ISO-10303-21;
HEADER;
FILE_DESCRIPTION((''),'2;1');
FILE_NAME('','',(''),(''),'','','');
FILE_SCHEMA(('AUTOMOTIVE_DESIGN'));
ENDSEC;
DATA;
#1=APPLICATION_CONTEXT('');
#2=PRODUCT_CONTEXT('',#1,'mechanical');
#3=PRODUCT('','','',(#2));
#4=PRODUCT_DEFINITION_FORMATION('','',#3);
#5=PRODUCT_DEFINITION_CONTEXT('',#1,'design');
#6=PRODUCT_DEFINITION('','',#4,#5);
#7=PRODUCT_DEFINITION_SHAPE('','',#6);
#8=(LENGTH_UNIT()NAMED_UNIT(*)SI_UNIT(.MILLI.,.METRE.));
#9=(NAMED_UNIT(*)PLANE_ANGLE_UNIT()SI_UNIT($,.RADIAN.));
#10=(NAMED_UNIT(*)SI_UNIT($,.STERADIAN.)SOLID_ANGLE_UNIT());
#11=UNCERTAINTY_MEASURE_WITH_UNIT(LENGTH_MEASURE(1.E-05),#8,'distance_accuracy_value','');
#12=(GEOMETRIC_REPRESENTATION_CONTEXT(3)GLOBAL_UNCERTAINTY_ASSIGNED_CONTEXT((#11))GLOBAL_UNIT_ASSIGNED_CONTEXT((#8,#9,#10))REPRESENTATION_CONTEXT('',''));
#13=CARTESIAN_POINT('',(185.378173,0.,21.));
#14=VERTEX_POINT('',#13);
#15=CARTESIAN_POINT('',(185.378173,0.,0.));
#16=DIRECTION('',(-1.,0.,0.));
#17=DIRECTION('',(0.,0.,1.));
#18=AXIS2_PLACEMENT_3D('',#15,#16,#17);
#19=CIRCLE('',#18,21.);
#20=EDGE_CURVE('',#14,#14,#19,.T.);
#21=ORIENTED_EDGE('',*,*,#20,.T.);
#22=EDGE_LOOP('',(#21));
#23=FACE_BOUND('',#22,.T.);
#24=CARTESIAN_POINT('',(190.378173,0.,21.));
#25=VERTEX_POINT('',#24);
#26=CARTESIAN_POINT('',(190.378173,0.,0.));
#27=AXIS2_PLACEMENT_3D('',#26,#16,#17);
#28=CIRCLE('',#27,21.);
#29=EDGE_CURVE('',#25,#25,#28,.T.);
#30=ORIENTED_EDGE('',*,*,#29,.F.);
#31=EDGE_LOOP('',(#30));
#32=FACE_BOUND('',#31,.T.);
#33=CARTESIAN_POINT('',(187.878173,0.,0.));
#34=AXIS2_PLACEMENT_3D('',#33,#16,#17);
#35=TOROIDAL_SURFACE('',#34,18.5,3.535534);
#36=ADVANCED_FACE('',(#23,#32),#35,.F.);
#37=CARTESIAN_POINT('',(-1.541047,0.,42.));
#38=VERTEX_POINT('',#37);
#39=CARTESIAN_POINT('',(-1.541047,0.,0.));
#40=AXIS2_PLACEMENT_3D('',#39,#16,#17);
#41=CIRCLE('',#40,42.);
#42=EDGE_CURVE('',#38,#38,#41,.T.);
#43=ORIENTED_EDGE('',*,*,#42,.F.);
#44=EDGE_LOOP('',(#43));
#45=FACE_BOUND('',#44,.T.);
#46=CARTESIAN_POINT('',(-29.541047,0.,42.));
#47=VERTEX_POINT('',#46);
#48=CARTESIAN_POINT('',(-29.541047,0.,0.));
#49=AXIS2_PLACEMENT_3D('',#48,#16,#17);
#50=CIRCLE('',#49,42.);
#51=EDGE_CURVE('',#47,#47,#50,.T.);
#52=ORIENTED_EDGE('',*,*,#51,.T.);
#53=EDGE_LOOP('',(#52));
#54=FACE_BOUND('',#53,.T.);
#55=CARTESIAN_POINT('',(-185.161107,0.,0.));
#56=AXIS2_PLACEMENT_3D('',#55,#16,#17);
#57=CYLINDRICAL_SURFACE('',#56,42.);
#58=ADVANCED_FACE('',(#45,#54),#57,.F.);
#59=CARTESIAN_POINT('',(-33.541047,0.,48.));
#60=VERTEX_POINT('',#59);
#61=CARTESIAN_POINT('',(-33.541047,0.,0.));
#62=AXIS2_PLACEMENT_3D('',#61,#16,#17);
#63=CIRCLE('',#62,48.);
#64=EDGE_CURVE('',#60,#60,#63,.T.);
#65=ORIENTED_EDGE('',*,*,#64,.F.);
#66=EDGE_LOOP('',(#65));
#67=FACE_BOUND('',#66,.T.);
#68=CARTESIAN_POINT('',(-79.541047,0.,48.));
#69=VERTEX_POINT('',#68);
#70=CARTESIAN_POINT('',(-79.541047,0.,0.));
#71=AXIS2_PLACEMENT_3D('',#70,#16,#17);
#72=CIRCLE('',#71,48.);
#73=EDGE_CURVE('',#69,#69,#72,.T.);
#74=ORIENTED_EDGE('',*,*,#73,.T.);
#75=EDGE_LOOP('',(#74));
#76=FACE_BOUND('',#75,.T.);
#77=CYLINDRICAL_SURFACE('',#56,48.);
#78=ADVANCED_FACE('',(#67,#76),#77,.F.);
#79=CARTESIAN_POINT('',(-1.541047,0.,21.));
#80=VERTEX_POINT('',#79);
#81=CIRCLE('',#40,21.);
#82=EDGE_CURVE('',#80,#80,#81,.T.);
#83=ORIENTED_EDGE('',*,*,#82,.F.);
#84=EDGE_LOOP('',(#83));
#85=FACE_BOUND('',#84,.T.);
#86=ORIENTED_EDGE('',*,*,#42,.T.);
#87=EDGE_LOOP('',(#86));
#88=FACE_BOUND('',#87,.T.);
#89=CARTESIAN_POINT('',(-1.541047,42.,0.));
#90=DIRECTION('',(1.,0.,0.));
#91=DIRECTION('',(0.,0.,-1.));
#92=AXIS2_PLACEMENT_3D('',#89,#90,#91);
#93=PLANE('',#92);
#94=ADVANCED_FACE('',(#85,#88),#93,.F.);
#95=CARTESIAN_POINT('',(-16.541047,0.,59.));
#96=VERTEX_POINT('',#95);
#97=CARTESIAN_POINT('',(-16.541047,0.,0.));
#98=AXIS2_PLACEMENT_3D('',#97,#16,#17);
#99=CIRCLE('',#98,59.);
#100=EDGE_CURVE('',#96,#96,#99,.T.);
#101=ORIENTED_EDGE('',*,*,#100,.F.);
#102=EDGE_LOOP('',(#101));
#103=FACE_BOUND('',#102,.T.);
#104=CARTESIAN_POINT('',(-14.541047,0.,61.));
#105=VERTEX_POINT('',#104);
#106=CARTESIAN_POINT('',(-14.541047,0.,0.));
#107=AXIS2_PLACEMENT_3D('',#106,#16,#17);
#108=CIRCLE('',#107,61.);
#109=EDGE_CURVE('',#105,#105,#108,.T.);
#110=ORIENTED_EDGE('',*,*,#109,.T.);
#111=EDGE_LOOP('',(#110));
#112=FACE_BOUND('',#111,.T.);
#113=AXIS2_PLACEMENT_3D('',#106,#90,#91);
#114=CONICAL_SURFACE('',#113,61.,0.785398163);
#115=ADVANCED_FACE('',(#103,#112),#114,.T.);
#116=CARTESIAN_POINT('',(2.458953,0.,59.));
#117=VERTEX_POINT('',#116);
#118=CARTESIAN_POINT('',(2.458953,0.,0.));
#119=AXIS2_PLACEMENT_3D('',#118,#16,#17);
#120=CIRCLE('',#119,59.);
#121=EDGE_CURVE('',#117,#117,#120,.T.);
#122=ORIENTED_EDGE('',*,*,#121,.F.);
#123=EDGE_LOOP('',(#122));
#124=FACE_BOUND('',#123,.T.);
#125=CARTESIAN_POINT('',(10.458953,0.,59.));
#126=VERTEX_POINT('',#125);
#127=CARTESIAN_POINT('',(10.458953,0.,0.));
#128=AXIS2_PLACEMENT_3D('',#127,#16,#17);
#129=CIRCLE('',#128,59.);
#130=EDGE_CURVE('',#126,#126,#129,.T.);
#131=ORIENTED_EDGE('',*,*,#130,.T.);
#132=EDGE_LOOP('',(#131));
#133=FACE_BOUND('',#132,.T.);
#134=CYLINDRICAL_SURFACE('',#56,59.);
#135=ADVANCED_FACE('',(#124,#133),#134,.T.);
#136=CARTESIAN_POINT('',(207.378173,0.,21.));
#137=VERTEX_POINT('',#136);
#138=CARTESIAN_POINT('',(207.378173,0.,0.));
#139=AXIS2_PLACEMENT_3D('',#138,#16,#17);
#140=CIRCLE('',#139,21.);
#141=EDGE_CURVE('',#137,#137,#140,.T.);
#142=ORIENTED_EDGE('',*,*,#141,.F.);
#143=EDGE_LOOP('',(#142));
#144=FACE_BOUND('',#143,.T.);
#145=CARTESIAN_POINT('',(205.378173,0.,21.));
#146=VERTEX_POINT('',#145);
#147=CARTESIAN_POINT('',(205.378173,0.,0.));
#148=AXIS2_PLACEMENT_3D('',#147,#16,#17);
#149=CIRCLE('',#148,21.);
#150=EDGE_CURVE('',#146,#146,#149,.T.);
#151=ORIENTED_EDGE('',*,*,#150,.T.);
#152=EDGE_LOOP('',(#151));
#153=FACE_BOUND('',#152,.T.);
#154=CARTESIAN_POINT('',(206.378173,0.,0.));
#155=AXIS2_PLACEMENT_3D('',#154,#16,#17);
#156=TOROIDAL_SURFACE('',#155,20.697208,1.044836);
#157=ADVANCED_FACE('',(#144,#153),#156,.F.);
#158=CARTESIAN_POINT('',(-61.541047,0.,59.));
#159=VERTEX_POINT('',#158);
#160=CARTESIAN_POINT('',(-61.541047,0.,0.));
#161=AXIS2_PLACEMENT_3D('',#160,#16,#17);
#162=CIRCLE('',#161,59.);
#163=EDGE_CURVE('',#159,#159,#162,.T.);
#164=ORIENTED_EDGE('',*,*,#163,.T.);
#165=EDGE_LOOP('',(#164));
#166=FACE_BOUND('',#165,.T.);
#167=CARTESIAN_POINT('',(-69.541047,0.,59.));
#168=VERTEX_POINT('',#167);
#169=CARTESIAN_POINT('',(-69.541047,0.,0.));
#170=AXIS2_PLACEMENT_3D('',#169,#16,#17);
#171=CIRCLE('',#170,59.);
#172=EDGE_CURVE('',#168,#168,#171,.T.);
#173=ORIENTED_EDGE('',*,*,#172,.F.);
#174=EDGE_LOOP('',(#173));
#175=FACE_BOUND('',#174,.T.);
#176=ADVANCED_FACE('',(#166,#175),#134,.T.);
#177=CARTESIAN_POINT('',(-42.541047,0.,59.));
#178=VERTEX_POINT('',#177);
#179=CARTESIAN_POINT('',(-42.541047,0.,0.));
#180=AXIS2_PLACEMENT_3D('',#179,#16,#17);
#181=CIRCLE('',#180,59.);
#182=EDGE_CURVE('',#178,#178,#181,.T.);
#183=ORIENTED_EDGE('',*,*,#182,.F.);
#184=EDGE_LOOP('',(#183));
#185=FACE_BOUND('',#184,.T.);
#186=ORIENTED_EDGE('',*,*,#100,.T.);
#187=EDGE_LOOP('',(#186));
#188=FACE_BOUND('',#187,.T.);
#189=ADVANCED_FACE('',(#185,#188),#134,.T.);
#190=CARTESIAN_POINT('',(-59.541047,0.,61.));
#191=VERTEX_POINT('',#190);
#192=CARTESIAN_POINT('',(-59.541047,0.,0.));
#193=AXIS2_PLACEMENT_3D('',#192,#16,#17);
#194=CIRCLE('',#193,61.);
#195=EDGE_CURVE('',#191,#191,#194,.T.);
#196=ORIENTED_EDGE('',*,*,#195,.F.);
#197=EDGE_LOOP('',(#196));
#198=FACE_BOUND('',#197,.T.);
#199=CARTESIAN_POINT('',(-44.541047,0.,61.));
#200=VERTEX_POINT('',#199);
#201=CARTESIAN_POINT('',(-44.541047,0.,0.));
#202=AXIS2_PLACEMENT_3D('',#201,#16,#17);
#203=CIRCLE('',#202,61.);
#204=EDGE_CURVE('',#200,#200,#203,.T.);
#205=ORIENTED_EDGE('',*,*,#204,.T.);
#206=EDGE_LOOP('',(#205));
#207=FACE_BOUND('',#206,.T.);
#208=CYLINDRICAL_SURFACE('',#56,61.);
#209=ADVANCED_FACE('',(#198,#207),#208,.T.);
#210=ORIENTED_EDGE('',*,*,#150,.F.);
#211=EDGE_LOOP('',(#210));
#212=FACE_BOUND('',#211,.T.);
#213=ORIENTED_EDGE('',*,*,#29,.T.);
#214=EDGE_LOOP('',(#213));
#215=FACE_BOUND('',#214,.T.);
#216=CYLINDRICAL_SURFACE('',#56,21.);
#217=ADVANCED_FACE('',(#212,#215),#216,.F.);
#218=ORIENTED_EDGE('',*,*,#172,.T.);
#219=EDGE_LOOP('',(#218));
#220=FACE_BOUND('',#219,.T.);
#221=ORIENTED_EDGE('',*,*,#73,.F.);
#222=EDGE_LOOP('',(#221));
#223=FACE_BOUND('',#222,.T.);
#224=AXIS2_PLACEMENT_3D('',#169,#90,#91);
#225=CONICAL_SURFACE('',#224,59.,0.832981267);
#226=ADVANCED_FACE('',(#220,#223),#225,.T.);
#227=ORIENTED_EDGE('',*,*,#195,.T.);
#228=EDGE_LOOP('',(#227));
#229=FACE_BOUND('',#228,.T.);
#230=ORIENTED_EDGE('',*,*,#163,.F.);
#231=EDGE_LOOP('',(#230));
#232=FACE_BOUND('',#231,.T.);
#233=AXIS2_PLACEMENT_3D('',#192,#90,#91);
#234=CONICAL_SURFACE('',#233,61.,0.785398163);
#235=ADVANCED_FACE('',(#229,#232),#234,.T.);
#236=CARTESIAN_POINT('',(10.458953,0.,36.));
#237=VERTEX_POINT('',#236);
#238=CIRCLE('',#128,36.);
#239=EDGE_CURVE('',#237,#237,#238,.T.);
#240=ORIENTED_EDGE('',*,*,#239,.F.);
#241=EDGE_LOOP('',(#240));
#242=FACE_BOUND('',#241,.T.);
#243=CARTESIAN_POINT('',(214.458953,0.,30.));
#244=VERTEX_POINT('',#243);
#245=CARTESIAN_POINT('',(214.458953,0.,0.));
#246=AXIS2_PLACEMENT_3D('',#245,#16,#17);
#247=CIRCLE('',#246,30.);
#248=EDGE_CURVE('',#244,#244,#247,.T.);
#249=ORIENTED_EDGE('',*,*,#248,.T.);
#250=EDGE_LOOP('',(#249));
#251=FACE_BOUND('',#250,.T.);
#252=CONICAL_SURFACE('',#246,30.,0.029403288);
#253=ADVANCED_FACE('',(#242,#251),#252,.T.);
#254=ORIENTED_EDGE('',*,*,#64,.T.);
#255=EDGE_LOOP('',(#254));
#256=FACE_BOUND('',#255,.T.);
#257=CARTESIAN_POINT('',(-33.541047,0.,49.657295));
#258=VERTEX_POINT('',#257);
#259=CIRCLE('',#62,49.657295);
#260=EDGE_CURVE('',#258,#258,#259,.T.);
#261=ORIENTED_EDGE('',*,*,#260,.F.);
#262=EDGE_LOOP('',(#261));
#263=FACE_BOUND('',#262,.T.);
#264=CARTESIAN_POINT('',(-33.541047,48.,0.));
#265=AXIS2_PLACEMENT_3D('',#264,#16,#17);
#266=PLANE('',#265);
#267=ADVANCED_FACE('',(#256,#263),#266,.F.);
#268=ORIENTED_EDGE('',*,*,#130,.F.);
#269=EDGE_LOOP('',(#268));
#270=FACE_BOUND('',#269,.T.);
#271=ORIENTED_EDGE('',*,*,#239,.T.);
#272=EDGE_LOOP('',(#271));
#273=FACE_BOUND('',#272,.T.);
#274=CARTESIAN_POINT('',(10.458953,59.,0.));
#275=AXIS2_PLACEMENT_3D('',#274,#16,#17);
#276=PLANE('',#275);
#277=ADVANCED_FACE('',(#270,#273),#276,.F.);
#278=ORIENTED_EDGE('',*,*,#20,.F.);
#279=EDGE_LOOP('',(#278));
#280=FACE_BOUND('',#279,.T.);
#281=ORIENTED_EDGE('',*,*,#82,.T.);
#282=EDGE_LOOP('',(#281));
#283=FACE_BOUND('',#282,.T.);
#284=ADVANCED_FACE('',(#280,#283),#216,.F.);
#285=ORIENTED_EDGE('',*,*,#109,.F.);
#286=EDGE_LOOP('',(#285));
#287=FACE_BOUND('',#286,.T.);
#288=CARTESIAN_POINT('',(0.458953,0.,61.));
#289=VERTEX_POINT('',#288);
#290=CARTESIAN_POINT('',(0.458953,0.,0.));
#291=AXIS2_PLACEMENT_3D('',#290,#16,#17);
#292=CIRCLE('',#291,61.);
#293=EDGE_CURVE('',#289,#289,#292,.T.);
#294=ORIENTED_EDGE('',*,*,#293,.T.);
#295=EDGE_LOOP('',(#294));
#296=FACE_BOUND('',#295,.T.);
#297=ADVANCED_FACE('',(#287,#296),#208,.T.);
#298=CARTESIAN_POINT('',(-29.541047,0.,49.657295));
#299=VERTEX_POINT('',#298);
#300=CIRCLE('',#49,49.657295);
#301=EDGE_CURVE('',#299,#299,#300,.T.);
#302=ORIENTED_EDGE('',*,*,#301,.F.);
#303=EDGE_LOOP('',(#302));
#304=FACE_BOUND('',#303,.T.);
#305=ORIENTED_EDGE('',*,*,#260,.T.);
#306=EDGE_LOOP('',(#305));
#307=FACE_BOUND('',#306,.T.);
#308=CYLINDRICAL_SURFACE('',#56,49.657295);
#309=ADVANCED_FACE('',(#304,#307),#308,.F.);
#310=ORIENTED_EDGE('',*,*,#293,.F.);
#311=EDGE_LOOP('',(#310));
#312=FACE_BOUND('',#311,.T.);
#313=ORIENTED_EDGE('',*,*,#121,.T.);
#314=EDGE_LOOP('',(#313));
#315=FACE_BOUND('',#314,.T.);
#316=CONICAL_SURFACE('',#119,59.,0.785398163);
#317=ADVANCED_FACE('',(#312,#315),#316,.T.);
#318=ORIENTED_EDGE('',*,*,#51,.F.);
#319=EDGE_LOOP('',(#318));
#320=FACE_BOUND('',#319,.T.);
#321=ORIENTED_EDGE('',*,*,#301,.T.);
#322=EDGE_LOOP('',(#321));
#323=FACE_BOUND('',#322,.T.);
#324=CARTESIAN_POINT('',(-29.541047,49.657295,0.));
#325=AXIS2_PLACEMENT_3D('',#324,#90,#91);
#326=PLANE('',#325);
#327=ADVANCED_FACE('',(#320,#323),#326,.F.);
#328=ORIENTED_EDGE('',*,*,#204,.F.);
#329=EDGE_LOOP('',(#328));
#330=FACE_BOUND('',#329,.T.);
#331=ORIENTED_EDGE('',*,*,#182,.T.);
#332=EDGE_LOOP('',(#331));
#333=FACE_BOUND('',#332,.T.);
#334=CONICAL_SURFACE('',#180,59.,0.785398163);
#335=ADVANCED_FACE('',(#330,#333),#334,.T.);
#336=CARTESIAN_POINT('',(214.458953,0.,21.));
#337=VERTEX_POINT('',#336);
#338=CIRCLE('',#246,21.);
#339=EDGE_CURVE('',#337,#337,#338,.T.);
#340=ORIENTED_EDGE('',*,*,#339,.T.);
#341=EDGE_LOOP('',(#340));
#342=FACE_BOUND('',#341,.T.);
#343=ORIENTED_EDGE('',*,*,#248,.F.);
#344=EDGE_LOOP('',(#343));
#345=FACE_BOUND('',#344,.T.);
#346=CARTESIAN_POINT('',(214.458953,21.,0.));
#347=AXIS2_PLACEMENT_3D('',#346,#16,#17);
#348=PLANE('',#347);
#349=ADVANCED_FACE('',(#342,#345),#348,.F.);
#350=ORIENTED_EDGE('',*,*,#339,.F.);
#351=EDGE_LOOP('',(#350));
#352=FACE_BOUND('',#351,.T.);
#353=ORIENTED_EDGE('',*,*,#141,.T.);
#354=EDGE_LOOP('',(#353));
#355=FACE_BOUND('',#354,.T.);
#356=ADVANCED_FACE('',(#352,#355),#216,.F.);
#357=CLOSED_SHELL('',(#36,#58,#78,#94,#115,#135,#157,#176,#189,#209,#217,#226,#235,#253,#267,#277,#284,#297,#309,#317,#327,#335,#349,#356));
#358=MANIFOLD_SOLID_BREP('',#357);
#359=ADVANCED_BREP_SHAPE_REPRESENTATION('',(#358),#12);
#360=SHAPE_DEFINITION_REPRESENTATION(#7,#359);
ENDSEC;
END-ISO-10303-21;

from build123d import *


with BuildPart() as part:
    # Sketch1 → Revolve1 (revolve)
    with BuildSketch(Plane.XY, mode=Mode.PRIVATE) as revolve1_sk:
        with BuildLine():
            Line((-69.541046611, 59), (-61.541046611, 59))
            Line((-61.541046611, 59), (-59.541046611, 61))
            Line((-59.541046611, 61), (-44.541046611, 61))
            Line((-44.541046611, 61), (-42.541046611, 59))
            Line((-42.541046611, 59), (-16.541046611, 59))
            Line((-16.541046611, 59), (-14.541046611, 61))
            Line((-14.541046611, 61), (0.458953389, 61))
            Line((0.458953389, 61), (2.458953389, 59))
            Line((2.458953389, 59), (10.458953389, 59))
            Line((10.458953389, 59), (10.458953389, 36))
            Line((10.458953389, 36), (214.458953389, 30))
            Line((214.458953389, 30), (214.458953389, 21))
            Line((214.458953389, 21), (207.378173445, 21))
            ThreePointArc((207.378173445, 21), (206.378173445, 21.742044507), (205.378173445, 21))
            Line((205.378173445, 21), (190.378173445, 21))
            ThreePointArc((190.378173445, 21), (187.878173445, 22.035533906), (185.378173445, 21))
            Line((185.378173445, 21), (-1.541046611, 21))
            Line((-1.541046611, 21), (-1.541046611, 42))
            Line((-1.541046611, 42), (-29.541046611, 42))
            Line((-29.541046611, 42), (-29.541046611, 49.65729462))
            Line((-29.541046611, 49.65729462), (-33.541046611, 49.65729462))
            Line((-33.541046611, 49.65729462), (-33.541046611, 48))
            Line((-33.541046611, 48), (-79.541046611, 48))
            Line((-79.541046611, 48), (-69.541046611, 59))
        make_face()
    revolve(revolve1_sk.sketch.rotate(Axis((-185.161107322, 0, 0), (1, 0, 0)), 90), axis=Axis((-185.161107322, 0, 0), (1, 0, 0)))


solid = part.part
